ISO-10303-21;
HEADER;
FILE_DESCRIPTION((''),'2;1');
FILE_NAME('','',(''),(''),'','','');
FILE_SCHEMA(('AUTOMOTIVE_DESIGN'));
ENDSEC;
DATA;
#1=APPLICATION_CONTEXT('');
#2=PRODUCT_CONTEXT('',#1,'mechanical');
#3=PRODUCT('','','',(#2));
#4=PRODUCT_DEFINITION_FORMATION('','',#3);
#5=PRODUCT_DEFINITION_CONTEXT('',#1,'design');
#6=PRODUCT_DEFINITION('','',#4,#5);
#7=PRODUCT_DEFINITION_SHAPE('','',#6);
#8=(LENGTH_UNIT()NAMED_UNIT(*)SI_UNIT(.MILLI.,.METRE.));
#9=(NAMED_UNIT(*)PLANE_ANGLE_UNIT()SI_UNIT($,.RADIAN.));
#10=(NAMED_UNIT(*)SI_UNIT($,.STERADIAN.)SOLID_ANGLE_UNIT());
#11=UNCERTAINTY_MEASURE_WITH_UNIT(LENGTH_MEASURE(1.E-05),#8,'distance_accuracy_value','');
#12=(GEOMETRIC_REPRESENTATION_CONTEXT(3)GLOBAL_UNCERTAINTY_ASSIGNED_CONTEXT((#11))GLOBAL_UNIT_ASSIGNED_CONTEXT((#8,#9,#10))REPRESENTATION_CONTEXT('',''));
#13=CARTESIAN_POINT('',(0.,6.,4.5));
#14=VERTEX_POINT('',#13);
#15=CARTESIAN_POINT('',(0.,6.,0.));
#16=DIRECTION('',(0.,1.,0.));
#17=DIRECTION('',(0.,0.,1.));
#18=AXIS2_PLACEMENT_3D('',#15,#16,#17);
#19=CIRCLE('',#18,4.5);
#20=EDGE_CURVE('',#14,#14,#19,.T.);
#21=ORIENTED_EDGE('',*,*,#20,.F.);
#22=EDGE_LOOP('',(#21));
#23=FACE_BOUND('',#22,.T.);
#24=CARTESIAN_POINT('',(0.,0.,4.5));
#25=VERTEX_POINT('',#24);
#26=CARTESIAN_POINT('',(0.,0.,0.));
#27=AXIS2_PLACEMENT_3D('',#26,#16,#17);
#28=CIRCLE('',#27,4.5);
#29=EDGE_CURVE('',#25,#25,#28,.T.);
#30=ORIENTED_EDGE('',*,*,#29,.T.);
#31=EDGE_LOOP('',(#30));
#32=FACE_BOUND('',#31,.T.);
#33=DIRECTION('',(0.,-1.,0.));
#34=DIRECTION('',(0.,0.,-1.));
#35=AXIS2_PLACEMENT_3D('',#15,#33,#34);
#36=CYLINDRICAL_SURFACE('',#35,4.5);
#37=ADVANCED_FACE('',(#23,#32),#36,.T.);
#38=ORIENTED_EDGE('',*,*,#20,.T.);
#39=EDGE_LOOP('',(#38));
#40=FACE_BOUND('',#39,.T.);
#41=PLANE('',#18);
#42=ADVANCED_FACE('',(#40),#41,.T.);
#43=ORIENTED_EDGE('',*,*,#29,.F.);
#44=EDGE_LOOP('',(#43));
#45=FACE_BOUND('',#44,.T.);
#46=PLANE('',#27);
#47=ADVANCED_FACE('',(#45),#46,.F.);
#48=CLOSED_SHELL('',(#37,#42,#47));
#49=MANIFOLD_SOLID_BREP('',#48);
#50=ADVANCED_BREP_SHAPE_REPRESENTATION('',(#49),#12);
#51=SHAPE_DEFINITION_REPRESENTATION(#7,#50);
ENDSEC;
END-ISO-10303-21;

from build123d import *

# Parameters (mm, degrees)
SKETCH1_R           = 4.5
BOSS_EXTRUDE1_DEPTH = 6


with BuildPart() as part:
    # Sketch1 → Boss-Extrude1 (new body)
    with BuildSketch(Plane(origin=(0, 0, 0), x_dir=(1, 0, 0), z_dir=(0, 1, 0))):
        Circle(SKETCH1_R)
    extrude(amount=BOSS_EXTRUDE1_DEPTH)


solid = part.part
